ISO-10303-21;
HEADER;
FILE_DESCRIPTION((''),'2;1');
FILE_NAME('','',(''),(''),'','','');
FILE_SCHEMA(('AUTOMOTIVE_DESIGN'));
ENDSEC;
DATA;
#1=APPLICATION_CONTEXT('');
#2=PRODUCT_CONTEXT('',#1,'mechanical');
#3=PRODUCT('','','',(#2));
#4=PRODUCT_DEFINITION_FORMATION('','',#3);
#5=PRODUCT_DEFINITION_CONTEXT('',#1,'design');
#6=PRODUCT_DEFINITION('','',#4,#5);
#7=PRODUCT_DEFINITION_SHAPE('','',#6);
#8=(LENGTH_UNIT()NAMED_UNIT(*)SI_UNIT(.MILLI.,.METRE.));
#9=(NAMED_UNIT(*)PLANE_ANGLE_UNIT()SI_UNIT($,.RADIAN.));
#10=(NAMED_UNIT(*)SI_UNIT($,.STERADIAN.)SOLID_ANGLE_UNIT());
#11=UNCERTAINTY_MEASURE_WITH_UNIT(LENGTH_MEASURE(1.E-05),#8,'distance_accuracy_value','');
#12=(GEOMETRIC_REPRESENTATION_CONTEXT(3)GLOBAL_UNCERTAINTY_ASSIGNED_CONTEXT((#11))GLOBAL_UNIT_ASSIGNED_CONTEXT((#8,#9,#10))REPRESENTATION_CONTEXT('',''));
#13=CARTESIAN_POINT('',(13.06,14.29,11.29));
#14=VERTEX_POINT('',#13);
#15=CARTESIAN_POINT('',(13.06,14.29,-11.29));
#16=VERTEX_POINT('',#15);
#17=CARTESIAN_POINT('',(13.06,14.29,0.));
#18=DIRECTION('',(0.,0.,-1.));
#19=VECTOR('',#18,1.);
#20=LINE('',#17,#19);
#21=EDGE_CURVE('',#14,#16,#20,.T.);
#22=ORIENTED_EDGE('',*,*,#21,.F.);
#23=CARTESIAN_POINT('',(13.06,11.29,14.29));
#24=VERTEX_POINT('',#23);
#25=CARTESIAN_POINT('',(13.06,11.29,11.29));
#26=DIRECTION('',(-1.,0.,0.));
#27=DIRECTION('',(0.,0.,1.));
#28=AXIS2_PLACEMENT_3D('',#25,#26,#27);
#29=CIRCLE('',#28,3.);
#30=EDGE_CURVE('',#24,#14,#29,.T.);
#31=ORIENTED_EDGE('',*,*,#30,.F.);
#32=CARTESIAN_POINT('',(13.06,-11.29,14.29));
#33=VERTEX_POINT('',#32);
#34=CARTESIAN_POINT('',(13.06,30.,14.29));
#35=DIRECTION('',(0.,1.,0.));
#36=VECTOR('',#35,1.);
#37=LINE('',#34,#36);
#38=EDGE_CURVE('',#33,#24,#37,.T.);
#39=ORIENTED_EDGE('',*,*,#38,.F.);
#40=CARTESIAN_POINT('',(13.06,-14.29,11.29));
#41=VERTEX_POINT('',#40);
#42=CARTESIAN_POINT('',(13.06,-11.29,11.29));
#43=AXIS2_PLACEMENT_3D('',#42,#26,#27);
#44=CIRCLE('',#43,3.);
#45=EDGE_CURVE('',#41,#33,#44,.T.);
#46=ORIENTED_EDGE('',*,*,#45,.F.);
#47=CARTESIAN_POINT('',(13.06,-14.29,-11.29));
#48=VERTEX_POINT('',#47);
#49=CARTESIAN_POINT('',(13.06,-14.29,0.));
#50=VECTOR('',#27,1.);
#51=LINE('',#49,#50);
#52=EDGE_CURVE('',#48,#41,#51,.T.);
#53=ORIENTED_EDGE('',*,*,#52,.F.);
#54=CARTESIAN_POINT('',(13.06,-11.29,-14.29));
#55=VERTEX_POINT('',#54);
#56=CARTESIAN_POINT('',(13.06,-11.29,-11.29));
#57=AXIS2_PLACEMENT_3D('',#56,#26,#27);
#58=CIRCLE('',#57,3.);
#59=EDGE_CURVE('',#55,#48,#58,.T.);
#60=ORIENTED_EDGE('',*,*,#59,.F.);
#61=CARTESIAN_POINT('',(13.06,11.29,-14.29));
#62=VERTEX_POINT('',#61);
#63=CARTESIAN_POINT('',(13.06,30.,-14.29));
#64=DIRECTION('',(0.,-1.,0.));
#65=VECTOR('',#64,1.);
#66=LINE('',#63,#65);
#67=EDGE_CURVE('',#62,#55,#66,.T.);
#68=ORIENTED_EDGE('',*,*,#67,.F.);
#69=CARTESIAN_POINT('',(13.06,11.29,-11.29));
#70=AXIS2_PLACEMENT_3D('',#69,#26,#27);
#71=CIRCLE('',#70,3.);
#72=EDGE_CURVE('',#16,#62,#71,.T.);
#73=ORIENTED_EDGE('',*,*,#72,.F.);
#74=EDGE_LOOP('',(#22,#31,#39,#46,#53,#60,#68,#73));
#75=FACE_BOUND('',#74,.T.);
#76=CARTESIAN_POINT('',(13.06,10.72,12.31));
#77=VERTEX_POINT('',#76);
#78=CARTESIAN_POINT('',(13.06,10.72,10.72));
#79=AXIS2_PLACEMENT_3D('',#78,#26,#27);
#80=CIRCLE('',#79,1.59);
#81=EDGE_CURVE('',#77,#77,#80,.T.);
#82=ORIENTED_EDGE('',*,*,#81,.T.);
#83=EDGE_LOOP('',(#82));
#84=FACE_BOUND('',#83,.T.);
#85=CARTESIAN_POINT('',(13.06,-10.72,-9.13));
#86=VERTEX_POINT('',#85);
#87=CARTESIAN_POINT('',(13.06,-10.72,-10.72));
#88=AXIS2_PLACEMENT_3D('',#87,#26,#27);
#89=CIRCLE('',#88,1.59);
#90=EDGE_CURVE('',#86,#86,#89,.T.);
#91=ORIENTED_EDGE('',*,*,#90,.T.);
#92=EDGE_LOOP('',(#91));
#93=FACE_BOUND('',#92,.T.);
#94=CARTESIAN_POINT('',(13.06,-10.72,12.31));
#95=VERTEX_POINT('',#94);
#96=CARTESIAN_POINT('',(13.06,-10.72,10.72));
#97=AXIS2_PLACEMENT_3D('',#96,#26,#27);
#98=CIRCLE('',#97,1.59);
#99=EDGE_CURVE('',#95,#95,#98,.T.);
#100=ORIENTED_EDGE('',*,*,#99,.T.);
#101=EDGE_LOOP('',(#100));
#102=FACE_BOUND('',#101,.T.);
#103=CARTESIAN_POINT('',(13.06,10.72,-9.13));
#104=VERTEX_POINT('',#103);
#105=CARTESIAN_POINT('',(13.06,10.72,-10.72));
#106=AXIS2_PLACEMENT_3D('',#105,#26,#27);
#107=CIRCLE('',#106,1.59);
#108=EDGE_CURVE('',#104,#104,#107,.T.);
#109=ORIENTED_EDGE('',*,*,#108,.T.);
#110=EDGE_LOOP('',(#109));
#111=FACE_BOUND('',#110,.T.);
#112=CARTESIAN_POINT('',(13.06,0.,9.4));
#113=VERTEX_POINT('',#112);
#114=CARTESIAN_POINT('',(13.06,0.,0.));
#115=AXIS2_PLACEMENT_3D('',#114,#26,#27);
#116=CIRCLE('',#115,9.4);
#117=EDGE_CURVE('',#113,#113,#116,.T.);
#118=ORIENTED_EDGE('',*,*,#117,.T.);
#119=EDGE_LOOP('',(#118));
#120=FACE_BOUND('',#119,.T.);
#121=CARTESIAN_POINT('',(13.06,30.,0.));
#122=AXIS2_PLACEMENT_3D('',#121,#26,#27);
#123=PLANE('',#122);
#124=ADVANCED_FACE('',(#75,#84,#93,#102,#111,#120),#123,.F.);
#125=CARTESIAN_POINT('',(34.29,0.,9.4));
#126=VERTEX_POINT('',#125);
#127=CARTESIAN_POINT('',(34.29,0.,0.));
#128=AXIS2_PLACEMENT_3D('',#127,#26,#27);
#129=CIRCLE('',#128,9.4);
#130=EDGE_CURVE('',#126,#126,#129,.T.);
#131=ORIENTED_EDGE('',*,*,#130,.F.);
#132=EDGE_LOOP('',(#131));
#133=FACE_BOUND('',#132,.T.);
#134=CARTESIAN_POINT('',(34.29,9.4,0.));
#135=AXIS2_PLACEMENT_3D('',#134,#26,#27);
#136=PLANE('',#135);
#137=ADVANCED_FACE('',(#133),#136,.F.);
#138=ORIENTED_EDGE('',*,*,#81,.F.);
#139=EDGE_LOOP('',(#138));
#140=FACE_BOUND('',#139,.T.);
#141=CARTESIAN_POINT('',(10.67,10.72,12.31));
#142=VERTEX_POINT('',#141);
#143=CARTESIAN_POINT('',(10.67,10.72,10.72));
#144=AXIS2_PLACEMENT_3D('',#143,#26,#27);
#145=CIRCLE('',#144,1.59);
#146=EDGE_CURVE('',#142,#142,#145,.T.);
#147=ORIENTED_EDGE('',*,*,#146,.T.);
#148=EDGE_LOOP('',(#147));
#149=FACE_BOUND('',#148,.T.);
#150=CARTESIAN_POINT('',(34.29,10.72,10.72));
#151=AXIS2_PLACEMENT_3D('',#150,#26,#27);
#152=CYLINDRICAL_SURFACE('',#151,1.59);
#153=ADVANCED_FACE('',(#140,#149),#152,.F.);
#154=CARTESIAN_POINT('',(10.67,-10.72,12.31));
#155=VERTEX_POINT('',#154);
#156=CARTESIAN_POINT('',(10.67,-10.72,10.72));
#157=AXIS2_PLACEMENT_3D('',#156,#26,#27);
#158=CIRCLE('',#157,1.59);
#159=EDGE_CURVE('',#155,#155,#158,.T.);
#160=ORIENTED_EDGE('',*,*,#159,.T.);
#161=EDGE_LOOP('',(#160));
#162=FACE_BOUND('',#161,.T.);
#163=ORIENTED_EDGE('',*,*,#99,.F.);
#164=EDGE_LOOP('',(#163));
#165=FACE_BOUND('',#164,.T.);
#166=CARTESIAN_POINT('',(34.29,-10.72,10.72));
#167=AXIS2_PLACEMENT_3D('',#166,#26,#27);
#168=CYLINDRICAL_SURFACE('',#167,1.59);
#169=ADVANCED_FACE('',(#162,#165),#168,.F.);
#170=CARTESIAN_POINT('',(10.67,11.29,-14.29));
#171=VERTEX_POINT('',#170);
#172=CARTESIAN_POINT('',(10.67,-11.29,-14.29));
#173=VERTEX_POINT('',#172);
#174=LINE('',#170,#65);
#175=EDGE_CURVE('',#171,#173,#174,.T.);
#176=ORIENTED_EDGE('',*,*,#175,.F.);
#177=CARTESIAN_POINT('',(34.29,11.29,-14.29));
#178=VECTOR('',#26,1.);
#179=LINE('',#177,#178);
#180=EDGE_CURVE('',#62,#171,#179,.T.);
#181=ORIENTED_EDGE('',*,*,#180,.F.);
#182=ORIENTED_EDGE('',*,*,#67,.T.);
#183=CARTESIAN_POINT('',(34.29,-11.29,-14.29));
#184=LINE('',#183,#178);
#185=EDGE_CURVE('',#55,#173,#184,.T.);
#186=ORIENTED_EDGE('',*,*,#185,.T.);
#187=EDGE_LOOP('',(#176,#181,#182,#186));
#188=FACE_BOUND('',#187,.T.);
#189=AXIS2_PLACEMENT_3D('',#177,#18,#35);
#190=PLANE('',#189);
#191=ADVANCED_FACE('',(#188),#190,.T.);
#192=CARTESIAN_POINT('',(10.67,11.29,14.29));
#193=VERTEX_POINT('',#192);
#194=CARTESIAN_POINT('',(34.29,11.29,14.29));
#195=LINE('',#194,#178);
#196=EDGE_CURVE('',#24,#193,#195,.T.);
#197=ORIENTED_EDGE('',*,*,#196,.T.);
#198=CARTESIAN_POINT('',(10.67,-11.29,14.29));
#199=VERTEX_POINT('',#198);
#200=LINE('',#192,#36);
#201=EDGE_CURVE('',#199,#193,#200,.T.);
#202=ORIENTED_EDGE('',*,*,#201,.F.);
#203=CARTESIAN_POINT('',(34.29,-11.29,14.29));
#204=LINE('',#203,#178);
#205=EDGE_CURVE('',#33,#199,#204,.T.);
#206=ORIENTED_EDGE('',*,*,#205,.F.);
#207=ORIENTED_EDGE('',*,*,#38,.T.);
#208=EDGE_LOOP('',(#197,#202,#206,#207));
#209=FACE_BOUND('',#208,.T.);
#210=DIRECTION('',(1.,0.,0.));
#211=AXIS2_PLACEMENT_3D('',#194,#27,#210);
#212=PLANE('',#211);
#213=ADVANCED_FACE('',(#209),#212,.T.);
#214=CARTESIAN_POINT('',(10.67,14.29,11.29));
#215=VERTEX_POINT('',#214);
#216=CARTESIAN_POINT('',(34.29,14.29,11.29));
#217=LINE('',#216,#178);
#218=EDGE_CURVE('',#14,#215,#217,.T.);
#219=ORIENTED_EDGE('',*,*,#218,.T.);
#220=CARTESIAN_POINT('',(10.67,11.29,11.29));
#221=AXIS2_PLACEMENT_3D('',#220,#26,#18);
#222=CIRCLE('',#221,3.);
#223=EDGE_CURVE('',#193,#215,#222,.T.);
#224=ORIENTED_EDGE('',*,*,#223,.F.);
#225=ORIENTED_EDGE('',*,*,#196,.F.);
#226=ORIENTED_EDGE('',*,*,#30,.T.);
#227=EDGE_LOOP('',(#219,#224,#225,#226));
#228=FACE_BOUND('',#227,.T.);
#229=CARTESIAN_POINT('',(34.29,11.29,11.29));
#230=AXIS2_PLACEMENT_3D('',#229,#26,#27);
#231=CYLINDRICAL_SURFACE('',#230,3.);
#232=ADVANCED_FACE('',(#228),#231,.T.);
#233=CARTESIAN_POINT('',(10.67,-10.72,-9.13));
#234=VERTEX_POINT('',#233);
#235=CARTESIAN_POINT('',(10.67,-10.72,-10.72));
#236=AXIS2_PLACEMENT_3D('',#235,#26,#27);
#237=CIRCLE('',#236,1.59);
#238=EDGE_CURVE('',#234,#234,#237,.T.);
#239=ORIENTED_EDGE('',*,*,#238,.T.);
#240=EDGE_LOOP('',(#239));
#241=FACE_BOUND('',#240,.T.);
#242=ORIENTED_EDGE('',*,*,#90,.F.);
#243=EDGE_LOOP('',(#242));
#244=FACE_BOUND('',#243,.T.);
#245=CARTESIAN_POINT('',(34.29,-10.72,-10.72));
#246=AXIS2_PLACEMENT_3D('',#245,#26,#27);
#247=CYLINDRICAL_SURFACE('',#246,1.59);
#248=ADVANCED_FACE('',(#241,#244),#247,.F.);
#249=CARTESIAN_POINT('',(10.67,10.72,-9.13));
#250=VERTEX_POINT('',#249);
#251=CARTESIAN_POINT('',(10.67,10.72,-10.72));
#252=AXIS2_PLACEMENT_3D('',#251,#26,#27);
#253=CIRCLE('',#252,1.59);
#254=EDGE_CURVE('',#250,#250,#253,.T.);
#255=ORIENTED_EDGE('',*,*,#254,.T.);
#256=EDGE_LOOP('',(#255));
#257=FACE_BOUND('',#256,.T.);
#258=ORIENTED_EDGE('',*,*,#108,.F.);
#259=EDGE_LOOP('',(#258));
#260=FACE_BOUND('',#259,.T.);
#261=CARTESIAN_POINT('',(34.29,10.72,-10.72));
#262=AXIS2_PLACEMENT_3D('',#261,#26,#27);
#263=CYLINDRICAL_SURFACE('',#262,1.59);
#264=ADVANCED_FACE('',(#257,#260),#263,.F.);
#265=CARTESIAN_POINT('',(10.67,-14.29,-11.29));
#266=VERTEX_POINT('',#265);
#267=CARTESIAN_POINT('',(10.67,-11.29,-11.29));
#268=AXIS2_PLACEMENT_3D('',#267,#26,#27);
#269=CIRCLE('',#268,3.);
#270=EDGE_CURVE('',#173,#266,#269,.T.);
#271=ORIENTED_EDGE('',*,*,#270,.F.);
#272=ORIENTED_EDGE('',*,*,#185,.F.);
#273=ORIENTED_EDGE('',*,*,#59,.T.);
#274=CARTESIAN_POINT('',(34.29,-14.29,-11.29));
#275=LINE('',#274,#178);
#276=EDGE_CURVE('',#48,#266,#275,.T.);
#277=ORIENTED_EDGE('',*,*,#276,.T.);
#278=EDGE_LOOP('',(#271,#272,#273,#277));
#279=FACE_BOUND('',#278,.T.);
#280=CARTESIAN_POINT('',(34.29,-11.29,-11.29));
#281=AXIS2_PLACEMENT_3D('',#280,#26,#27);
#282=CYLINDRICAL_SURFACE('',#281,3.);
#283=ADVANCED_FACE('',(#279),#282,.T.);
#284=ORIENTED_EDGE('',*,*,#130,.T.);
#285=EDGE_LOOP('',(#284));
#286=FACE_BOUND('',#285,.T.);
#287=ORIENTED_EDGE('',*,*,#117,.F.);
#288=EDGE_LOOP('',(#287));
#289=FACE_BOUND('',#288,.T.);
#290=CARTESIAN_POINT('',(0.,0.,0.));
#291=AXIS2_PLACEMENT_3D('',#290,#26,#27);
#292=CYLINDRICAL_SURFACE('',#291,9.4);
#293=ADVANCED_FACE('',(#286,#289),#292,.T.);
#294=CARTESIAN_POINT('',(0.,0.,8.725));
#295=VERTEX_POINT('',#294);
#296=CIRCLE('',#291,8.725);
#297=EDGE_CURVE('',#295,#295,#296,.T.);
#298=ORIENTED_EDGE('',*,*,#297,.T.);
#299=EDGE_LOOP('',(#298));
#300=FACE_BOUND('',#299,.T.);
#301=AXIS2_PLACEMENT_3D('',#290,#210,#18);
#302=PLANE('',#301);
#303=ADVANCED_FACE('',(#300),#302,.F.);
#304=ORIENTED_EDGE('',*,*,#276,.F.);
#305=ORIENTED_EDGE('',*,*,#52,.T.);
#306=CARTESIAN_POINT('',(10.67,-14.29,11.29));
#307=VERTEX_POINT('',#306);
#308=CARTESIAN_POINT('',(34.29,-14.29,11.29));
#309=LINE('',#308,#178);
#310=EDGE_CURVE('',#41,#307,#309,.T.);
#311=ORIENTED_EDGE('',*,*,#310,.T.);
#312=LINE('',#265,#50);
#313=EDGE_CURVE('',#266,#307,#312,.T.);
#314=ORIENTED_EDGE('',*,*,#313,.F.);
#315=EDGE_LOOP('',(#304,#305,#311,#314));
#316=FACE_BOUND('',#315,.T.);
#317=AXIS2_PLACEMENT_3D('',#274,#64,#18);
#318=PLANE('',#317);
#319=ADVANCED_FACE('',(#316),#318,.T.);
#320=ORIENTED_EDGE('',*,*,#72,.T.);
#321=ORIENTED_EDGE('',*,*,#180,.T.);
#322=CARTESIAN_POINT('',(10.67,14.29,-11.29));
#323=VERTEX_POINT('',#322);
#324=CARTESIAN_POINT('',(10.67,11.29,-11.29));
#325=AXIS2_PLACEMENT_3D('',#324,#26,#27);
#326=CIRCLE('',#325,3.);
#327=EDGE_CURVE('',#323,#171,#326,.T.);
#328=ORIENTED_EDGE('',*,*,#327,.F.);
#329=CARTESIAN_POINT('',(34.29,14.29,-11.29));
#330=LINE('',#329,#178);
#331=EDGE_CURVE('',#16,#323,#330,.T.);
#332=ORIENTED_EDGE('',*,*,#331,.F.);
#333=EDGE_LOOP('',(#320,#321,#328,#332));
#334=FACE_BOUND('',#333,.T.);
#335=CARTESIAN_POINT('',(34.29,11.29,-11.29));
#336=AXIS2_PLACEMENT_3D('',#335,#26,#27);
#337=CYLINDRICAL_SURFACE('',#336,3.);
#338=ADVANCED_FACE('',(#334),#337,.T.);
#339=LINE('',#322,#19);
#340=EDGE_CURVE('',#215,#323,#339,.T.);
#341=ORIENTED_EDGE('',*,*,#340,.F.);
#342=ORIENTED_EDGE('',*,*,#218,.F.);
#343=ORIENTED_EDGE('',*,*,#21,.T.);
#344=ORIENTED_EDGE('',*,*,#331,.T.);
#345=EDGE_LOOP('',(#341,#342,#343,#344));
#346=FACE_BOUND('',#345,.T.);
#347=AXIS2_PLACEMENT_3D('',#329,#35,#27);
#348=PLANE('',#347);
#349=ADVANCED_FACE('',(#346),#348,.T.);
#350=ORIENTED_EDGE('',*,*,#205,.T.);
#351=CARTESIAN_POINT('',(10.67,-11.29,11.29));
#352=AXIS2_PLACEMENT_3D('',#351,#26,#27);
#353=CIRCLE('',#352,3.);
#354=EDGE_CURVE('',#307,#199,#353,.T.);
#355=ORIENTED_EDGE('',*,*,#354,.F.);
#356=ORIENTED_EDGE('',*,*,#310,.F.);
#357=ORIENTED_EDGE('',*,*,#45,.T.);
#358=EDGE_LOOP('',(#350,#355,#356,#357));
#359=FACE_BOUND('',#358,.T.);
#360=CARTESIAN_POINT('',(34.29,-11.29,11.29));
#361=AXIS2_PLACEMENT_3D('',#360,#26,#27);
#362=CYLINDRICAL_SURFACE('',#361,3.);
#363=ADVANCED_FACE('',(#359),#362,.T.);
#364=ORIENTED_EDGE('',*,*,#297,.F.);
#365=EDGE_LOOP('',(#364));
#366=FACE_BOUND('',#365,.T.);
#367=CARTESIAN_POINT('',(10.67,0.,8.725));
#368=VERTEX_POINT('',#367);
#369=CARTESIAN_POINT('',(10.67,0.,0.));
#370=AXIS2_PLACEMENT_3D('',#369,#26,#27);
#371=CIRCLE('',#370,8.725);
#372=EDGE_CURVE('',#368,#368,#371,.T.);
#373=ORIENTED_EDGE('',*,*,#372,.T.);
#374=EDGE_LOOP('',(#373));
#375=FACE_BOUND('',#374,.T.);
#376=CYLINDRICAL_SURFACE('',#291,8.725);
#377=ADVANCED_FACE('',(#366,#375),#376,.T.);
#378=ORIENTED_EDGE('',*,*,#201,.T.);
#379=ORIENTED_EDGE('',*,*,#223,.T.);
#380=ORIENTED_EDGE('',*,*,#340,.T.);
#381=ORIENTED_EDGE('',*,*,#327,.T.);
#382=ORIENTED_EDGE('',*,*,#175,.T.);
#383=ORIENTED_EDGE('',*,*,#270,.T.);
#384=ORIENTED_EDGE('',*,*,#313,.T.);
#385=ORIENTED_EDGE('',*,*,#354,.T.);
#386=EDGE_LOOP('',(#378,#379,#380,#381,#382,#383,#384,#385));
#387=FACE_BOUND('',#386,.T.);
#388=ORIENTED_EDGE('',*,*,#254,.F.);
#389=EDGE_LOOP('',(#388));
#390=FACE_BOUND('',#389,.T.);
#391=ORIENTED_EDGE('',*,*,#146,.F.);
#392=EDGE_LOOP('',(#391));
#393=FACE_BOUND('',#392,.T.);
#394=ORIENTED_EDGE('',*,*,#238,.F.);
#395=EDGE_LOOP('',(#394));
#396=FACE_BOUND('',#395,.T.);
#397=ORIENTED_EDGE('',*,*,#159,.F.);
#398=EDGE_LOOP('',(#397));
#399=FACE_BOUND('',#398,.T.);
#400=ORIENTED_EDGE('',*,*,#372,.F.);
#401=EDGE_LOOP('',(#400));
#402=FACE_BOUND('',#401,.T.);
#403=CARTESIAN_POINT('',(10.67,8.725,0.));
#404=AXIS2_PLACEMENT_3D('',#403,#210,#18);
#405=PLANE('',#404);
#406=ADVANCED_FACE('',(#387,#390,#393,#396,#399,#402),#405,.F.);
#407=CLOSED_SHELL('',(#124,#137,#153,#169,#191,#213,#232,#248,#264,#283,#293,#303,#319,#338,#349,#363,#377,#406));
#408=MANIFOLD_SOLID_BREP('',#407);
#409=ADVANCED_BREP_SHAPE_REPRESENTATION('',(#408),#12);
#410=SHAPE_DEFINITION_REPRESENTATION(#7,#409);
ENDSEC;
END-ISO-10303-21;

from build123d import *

# Parameters (mm, degrees)
SKETCH2_OUTSIDE_W  = 80.304
SKETCH2_OUTSIDE_H  = 80.304
SKETCH2_OUTSIDE_R  = 1.59
CUT_EXTRUDE1_DEPTH = 24.62


with BuildPart() as part:
    # Sketch1 → Revolve1 (revolve)
    with BuildSketch(Plane.XY, mode=Mode.PRIVATE) as revolve1_sk:
        Polygon((0, 0), (0, 8.725), (10.67, 8.725), (10.67, 30), (13.06, 30), (13.06, 9.4), (34.29, 9.4), (34.29, 0), align=None)
    revolve(revolve1_sk.sketch.rotate(Axis((0, 0, 0), (1, 0, 0)), 90), axis=Axis((0, 0, 0), (1, 0, 0)))  # turned: the seam where the file's is

    # Sketch2 outside → Cut-Extrude1 (cut, through all)
    with BuildSketch(Plane.ZY.offset(-10.67)):
        Rectangle(SKETCH2_OUTSIDE_W, SKETCH2_OUTSIDE_H)
        with BuildLine():
            Line((-11.29, 14.29), (11.29, 14.29))
            ThreePointArc((11.29, 14.29), (13.411320344, 13.411320344), (14.29, 11.29))
            Line((14.29, 11.29), (14.29, -11.29))
            ThreePointArc((14.29, -11.29), (13.411320344, -13.411320344), (11.29, -14.29))
            Line((11.29, -14.29), (-11.29, -14.29))
            ThreePointArc((-11.29, -14.29), (-13.411320344, -13.411320344), (-14.29, -11.29))
            Line((-14.29, -11.29), (-14.29, 11.29))
            ThreePointArc((-14.29, 11.29), (-13.411320344, 13.411320344), (-11.29, 14.29))
        make_face(mode=Mode.SUBTRACT)
        with Locations((10.72, 10.72)):
            Circle(SKETCH2_OUTSIDE_R)
        with Locations((-10.72, 10.72)):
            Circle(SKETCH2_OUTSIDE_R)
        with Locations((-10.72, -10.72)):
            Circle(SKETCH2_OUTSIDE_R)
        with Locations((10.72, -10.72)):
            Circle(SKETCH2_OUTSIDE_R)
    extrude(amount=-CUT_EXTRUDE1_DEPTH, mode=Mode.SUBTRACT)


solid = part.part
